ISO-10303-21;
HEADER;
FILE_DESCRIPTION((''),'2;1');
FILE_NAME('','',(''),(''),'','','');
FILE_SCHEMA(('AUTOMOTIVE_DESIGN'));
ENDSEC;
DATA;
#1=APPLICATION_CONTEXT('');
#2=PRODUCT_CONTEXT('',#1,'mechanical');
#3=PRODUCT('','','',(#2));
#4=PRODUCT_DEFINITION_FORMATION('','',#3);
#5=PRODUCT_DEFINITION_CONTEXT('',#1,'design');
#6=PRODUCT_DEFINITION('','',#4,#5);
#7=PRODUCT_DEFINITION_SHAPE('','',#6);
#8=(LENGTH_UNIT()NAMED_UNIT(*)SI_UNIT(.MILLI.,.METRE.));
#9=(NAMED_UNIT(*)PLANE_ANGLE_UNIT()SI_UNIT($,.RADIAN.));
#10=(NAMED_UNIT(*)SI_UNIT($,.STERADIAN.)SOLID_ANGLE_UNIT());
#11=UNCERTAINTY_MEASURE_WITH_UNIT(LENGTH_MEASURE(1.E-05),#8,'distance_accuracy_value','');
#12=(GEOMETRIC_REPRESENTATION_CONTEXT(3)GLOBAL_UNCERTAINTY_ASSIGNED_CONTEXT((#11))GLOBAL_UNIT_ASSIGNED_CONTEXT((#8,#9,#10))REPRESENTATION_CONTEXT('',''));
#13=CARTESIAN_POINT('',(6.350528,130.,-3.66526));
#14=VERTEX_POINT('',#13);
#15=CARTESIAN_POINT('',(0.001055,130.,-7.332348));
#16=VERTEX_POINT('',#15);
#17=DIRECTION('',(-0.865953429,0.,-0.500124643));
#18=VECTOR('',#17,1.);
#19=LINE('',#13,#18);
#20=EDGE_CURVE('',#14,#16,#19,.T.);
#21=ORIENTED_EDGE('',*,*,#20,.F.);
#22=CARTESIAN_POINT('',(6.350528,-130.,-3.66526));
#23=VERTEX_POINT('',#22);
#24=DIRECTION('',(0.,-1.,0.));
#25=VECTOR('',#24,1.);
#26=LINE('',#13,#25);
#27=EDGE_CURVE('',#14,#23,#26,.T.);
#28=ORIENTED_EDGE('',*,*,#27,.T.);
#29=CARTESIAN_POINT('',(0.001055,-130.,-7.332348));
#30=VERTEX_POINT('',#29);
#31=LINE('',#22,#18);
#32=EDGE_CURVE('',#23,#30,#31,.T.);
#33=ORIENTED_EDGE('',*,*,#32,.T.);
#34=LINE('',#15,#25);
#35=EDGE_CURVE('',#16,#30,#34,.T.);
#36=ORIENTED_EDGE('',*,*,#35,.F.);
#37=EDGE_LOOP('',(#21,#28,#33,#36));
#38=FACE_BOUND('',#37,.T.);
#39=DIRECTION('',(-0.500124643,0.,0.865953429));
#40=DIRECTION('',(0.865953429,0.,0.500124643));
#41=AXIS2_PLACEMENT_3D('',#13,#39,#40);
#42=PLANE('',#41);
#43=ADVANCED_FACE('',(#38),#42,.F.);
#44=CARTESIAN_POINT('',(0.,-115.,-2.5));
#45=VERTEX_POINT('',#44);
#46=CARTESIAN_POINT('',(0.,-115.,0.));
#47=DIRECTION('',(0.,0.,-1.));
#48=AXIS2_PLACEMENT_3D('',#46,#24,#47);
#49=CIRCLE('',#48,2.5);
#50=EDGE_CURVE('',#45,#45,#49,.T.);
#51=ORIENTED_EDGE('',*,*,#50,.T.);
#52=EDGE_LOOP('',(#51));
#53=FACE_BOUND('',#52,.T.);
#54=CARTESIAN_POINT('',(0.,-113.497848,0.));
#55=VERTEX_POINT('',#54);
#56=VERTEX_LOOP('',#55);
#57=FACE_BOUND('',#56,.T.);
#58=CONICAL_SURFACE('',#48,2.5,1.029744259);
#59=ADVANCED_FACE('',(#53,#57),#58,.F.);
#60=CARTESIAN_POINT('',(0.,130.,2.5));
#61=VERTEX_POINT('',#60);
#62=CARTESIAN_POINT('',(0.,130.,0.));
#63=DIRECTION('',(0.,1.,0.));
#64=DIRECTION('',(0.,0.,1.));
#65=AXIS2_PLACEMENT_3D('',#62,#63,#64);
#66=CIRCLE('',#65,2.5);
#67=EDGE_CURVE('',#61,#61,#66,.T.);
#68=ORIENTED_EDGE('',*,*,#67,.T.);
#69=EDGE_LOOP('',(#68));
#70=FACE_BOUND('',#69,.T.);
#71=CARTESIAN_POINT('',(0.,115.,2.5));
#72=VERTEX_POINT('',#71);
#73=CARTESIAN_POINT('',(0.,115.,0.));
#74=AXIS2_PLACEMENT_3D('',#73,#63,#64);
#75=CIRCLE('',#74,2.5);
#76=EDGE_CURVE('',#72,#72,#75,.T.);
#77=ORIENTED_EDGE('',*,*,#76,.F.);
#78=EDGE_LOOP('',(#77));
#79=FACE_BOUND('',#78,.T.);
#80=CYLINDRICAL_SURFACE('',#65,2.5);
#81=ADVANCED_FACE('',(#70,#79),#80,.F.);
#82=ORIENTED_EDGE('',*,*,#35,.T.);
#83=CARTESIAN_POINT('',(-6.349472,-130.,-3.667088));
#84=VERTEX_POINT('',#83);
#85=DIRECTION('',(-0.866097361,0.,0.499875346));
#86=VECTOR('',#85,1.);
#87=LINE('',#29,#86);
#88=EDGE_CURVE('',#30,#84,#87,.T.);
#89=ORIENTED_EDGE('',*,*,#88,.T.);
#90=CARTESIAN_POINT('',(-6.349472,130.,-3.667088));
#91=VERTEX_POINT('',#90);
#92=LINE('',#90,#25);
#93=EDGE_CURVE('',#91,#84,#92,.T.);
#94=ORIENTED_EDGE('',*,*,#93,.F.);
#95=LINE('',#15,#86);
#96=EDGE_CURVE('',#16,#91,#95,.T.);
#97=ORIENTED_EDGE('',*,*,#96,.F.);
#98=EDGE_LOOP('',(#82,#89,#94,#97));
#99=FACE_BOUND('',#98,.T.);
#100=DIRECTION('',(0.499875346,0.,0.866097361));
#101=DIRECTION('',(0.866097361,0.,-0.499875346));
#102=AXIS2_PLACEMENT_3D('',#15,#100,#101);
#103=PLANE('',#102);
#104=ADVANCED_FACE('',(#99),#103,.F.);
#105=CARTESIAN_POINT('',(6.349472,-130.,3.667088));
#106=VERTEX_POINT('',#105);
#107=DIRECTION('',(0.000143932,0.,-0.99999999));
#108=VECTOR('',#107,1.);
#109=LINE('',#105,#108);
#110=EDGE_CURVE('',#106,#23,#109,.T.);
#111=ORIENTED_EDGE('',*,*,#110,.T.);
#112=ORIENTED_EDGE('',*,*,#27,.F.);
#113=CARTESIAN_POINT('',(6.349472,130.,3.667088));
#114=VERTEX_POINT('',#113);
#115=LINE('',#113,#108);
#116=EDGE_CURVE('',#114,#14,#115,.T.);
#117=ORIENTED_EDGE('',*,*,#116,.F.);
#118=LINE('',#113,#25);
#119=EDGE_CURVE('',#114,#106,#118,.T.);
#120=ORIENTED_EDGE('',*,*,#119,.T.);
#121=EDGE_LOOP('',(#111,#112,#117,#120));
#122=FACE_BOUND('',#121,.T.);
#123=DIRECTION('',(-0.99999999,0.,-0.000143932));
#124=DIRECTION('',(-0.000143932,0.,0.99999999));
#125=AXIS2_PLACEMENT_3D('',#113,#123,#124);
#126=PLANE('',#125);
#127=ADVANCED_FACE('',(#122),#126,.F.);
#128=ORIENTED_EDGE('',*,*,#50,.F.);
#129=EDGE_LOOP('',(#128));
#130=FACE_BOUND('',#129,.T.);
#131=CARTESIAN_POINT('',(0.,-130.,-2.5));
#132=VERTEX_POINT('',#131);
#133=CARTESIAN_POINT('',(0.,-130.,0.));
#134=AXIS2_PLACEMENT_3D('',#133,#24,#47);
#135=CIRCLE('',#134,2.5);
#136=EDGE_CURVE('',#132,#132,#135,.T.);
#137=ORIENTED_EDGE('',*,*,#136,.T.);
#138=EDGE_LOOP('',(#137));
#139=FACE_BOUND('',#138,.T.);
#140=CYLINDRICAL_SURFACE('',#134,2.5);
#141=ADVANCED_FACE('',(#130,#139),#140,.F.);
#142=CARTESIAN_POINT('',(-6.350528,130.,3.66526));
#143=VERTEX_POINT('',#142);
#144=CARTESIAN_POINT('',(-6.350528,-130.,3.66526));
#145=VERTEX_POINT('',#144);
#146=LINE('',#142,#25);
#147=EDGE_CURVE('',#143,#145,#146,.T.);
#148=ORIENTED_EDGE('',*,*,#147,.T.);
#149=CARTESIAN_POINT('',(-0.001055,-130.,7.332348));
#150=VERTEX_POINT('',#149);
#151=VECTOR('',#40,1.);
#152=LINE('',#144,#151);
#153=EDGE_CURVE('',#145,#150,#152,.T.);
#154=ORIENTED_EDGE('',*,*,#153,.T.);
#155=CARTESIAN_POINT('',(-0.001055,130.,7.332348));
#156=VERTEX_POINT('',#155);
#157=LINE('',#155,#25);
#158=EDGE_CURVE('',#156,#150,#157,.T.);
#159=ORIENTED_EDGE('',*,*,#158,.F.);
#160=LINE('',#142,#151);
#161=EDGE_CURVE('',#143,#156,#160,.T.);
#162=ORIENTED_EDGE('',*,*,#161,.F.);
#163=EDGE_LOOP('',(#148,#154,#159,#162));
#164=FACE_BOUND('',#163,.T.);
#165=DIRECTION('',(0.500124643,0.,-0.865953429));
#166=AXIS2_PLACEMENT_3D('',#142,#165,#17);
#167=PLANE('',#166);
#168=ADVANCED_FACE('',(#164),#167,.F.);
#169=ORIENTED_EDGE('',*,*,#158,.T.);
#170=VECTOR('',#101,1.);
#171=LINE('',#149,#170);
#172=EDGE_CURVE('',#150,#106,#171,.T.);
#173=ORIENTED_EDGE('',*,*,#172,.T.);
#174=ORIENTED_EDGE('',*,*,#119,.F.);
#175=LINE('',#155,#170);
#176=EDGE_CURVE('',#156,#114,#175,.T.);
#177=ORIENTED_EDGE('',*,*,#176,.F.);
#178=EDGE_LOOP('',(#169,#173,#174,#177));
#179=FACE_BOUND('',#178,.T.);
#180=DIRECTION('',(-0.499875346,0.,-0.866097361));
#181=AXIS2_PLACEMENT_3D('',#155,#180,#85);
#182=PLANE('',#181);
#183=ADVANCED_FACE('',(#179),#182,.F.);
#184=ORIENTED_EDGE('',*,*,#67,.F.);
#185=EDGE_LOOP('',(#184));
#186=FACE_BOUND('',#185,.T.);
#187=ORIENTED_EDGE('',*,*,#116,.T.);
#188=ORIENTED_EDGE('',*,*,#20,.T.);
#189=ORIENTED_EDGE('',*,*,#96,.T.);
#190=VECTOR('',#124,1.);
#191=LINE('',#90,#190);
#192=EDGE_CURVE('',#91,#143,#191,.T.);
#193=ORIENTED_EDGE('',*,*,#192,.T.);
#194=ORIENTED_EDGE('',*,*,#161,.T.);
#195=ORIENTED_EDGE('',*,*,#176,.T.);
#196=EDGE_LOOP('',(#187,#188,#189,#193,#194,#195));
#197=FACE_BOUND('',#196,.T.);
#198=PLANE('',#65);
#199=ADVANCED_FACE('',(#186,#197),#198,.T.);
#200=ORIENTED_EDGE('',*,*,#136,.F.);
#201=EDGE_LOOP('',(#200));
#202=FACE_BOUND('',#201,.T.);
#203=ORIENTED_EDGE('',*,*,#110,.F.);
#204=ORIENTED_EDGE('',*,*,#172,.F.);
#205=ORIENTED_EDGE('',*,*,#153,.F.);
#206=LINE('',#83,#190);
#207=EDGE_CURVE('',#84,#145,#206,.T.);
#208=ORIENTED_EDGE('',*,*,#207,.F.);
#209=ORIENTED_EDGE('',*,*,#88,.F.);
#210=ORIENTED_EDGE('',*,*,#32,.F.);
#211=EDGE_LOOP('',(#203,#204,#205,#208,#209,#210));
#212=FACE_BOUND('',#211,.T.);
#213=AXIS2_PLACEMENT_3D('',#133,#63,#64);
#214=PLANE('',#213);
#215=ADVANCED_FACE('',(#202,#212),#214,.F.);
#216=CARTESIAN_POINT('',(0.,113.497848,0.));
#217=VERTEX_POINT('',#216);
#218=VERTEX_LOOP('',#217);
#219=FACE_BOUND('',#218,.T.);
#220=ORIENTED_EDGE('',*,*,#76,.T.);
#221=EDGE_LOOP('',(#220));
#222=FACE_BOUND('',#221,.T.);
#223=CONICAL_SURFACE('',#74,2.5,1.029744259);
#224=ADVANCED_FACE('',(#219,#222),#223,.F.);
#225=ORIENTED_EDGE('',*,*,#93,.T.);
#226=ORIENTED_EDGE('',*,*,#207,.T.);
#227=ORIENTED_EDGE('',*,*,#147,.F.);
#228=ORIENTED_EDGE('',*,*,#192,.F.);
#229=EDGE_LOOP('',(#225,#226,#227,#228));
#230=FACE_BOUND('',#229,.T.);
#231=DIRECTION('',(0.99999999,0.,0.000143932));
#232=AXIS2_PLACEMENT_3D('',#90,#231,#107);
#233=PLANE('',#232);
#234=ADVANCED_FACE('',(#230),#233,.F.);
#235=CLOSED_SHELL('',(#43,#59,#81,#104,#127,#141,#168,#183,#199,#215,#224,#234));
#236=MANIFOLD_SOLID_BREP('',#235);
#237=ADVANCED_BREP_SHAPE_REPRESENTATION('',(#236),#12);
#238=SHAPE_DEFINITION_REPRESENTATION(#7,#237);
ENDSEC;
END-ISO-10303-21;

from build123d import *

# Parameters (mm, degrees)
BOSS_EXTRUDE1_DEPTH       = 130
M6X1_0_TAPPED_HOLE1_D     = 5
M6X1_0_TAPPED_HOLE1_DEPTH = 15
M6X1_0_TAPPED_HOLE1_TIP   = 1.502151548
M6X1_0_TAPPED_HOLE2_D     = 5
M6X1_0_TAPPED_HOLE2_DEPTH = 15
M6X1_0_TAPPED_HOLE2_TIP   = 1.502151548


with BuildPart() as part:
    # Sketch1 → Boss-Extrude1 (new, symmetric)
    with BuildSketch(Plane(origin=(0, 0, 0), x_dir=(1, 0, 0), z_dir=(0, 1, 0))):
        Polygon((6.349472256, -3.667088137), (6.350527612, 3.665260206), (0.001055356, 7.332348343), (-6.349472256, 3.667088137), (-6.350527612, -3.665260206), (-0.001055356, -7.332348343), align=None)
    extrude(amount=BOSS_EXTRUDE1_DEPTH, both=True)

    # M6x1.0 Tapped Hole1
    with Locations(Plane(origin=(0, 130, 0), x_dir=(1, 0, 0), z_dir=(0, 1, 0))):
        with Locations((0, 0)):
            Hole(M6X1_0_TAPPED_HOLE1_D / 2, depth=M6X1_0_TAPPED_HOLE1_DEPTH)
            with Locations((0, 0, -(M6X1_0_TAPPED_HOLE1_DEPTH + M6X1_0_TAPPED_HOLE1_TIP / 2))):  # 118° drill point
                Cone(0, M6X1_0_TAPPED_HOLE1_D / 2, M6X1_0_TAPPED_HOLE1_TIP, mode=Mode.SUBTRACT)

    # M6x1.0 Tapped Hole2
    with Locations(Plane(origin=(0, -130, 0), x_dir=(-1, 0, 0), z_dir=(0, -1, 0))):
        with Locations((0, 0)):
            Hole(M6X1_0_TAPPED_HOLE2_D / 2, depth=M6X1_0_TAPPED_HOLE2_DEPTH)
            with Locations((0, 0, -(M6X1_0_TAPPED_HOLE2_DEPTH + M6X1_0_TAPPED_HOLE2_TIP / 2))):  # 118° drill point
                Cone(0, M6X1_0_TAPPED_HOLE2_D / 2, M6X1_0_TAPPED_HOLE2_TIP, mode=Mode.SUBTRACT)


solid = part.part
